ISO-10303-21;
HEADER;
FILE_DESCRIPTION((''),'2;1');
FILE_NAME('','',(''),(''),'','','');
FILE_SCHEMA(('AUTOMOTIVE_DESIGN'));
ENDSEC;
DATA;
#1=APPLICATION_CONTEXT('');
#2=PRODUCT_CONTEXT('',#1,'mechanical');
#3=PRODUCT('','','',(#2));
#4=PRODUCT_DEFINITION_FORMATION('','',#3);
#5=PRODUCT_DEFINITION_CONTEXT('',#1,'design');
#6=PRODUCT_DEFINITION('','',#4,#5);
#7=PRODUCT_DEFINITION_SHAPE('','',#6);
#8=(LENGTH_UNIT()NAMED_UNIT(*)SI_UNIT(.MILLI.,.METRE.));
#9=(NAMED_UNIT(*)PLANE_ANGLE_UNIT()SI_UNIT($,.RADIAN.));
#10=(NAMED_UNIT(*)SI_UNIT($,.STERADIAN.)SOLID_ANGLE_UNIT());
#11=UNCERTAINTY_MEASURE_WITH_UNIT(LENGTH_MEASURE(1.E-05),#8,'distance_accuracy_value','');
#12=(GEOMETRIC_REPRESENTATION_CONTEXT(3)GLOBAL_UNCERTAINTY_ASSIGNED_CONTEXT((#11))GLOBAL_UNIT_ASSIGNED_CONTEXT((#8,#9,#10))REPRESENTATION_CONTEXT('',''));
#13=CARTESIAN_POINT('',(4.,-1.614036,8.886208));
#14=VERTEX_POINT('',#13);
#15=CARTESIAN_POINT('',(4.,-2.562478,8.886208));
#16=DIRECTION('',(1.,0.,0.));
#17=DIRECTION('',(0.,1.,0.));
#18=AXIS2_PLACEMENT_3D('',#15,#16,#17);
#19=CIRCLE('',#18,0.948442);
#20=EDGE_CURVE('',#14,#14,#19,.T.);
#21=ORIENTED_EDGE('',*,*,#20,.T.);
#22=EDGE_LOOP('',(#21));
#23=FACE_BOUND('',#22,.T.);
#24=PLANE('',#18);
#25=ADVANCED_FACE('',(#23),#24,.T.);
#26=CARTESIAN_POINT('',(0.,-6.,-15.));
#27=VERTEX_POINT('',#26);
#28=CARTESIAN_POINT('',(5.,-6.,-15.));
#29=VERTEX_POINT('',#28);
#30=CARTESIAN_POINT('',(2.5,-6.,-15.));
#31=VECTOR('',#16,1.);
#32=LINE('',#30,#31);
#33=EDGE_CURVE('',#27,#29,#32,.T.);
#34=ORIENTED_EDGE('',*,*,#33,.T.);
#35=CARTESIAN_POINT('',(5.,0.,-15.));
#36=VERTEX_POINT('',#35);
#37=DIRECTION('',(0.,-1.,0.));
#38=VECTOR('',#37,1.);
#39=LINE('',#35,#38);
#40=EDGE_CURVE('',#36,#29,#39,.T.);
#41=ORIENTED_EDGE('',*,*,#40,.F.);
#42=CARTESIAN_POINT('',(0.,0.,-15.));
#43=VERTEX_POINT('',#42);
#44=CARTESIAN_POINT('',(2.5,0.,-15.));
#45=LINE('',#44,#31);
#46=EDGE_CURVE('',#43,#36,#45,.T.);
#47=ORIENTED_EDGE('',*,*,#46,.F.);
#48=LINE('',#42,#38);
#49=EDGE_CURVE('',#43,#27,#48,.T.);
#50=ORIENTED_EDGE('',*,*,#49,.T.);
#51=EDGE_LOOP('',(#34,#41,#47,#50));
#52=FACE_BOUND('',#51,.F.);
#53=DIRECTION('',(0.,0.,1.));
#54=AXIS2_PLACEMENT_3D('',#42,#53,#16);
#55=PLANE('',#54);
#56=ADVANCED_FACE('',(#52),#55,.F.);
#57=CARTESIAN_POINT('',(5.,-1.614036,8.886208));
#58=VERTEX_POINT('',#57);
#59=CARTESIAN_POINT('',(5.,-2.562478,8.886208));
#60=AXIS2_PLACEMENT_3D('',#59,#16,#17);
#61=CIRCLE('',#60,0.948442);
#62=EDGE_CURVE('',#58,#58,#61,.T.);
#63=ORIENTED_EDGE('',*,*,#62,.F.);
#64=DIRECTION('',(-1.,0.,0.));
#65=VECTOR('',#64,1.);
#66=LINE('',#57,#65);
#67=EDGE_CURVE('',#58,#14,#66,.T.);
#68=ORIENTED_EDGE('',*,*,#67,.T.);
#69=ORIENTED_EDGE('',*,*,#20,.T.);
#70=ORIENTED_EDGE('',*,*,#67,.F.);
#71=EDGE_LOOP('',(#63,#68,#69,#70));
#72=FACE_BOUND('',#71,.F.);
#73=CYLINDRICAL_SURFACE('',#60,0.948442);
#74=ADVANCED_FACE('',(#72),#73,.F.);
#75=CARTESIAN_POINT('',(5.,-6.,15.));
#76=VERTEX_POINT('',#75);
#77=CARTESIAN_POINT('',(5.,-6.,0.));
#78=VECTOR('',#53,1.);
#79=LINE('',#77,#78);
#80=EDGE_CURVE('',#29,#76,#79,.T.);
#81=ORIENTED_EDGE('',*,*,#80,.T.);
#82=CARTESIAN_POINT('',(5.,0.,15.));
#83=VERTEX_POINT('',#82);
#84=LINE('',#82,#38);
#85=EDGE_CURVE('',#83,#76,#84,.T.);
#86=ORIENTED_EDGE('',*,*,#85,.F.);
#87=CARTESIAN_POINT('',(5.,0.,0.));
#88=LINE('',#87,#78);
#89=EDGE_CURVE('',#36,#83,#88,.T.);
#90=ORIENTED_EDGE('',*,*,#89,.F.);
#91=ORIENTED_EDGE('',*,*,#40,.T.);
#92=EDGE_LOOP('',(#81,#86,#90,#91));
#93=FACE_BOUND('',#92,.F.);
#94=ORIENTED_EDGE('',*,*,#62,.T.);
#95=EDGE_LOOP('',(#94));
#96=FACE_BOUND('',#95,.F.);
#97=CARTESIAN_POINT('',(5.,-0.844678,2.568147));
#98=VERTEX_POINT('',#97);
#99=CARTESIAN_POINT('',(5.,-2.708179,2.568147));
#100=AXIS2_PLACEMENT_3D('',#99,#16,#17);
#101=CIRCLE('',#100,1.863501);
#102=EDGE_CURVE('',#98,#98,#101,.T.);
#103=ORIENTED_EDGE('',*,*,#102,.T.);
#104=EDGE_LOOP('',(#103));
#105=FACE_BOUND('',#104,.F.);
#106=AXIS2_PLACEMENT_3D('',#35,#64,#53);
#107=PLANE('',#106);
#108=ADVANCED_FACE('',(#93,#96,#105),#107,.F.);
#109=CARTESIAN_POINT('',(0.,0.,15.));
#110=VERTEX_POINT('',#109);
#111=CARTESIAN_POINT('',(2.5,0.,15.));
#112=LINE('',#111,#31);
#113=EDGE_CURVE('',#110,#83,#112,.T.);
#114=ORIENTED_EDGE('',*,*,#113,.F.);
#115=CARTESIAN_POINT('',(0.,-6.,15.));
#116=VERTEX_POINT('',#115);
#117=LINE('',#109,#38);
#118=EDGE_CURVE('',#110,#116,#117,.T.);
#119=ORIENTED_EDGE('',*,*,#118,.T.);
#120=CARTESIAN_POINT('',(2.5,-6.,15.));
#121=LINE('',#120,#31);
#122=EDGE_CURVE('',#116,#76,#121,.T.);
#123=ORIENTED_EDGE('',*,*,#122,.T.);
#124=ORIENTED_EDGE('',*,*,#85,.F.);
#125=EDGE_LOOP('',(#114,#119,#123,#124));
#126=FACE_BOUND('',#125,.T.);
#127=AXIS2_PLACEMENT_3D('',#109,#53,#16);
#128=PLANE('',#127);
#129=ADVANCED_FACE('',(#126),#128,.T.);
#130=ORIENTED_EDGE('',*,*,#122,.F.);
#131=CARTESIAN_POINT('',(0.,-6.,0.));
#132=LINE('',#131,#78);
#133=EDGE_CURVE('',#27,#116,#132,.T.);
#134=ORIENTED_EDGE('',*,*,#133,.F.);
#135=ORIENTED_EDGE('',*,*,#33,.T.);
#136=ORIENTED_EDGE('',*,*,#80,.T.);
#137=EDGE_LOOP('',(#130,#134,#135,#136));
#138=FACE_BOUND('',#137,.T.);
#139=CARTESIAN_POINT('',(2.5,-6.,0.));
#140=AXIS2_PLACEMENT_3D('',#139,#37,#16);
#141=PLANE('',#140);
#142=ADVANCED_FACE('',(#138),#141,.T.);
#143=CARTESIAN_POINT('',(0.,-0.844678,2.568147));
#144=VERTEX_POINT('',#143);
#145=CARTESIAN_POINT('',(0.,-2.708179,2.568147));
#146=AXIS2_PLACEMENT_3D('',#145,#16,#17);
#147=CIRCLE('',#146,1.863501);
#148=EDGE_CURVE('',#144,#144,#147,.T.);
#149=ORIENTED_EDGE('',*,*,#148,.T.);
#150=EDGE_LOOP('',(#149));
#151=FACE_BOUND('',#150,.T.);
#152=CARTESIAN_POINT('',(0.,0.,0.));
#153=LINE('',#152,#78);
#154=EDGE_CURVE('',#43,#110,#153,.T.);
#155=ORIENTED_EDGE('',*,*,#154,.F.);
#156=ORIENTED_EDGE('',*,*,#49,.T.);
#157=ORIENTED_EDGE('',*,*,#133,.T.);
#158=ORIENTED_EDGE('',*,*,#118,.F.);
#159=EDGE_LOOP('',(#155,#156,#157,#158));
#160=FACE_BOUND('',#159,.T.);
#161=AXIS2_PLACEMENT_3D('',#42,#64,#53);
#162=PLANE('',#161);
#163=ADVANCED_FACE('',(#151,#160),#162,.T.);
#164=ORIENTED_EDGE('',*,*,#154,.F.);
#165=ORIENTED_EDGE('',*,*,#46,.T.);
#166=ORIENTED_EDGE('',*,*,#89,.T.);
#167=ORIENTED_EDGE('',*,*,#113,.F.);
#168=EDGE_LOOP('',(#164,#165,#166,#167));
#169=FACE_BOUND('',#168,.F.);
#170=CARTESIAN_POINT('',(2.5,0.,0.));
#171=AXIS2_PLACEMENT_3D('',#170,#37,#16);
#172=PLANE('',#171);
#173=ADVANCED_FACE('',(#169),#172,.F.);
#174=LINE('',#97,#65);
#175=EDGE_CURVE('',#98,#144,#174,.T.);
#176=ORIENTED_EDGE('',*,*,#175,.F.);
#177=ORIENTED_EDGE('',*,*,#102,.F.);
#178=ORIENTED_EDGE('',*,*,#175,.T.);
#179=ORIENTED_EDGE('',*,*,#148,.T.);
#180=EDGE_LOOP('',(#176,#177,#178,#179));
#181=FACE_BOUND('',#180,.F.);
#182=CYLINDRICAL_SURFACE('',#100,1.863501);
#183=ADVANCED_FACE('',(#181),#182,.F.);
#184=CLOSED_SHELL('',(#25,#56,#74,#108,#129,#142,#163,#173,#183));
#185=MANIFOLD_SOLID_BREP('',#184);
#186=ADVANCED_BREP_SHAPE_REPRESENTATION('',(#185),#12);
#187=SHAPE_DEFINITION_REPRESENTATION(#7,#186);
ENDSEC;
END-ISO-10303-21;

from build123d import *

# Parameters (mm, degrees)
F0_W     = 5
F0_H     = 30
F1_DEPTH = 6
F2_R     = 0.948442
F3_DEPTH = 1
F4_R     = 1.863501
F5_DEPTH = 5.001


with BuildPart() as f1:
    # F0 (on Front) → F1 (new body)
    with BuildSketch(Plane.XZ):
        with Locations((2.5, 0)):
            Rectangle(F0_W, F0_H)
    extrude(amount=F1_DEPTH)

    # F2 (on face) → F3 (cut)
    with BuildSketch(Plane.YZ.offset(5)):
        with Locations((-2.562478, 8.886208)):
            Circle(F2_R)
    extrude(amount=-F3_DEPTH, mode=Mode.SUBTRACT)

    # F4 (on face) → F5 (cut, through all)
    with BuildSketch(Plane.YZ.offset(5)):
        with Locations((-2.708179, 2.568147)):
            Circle(F4_R)
    extrude(amount=-F5_DEPTH, mode=Mode.SUBTRACT)


solid = f1.part
